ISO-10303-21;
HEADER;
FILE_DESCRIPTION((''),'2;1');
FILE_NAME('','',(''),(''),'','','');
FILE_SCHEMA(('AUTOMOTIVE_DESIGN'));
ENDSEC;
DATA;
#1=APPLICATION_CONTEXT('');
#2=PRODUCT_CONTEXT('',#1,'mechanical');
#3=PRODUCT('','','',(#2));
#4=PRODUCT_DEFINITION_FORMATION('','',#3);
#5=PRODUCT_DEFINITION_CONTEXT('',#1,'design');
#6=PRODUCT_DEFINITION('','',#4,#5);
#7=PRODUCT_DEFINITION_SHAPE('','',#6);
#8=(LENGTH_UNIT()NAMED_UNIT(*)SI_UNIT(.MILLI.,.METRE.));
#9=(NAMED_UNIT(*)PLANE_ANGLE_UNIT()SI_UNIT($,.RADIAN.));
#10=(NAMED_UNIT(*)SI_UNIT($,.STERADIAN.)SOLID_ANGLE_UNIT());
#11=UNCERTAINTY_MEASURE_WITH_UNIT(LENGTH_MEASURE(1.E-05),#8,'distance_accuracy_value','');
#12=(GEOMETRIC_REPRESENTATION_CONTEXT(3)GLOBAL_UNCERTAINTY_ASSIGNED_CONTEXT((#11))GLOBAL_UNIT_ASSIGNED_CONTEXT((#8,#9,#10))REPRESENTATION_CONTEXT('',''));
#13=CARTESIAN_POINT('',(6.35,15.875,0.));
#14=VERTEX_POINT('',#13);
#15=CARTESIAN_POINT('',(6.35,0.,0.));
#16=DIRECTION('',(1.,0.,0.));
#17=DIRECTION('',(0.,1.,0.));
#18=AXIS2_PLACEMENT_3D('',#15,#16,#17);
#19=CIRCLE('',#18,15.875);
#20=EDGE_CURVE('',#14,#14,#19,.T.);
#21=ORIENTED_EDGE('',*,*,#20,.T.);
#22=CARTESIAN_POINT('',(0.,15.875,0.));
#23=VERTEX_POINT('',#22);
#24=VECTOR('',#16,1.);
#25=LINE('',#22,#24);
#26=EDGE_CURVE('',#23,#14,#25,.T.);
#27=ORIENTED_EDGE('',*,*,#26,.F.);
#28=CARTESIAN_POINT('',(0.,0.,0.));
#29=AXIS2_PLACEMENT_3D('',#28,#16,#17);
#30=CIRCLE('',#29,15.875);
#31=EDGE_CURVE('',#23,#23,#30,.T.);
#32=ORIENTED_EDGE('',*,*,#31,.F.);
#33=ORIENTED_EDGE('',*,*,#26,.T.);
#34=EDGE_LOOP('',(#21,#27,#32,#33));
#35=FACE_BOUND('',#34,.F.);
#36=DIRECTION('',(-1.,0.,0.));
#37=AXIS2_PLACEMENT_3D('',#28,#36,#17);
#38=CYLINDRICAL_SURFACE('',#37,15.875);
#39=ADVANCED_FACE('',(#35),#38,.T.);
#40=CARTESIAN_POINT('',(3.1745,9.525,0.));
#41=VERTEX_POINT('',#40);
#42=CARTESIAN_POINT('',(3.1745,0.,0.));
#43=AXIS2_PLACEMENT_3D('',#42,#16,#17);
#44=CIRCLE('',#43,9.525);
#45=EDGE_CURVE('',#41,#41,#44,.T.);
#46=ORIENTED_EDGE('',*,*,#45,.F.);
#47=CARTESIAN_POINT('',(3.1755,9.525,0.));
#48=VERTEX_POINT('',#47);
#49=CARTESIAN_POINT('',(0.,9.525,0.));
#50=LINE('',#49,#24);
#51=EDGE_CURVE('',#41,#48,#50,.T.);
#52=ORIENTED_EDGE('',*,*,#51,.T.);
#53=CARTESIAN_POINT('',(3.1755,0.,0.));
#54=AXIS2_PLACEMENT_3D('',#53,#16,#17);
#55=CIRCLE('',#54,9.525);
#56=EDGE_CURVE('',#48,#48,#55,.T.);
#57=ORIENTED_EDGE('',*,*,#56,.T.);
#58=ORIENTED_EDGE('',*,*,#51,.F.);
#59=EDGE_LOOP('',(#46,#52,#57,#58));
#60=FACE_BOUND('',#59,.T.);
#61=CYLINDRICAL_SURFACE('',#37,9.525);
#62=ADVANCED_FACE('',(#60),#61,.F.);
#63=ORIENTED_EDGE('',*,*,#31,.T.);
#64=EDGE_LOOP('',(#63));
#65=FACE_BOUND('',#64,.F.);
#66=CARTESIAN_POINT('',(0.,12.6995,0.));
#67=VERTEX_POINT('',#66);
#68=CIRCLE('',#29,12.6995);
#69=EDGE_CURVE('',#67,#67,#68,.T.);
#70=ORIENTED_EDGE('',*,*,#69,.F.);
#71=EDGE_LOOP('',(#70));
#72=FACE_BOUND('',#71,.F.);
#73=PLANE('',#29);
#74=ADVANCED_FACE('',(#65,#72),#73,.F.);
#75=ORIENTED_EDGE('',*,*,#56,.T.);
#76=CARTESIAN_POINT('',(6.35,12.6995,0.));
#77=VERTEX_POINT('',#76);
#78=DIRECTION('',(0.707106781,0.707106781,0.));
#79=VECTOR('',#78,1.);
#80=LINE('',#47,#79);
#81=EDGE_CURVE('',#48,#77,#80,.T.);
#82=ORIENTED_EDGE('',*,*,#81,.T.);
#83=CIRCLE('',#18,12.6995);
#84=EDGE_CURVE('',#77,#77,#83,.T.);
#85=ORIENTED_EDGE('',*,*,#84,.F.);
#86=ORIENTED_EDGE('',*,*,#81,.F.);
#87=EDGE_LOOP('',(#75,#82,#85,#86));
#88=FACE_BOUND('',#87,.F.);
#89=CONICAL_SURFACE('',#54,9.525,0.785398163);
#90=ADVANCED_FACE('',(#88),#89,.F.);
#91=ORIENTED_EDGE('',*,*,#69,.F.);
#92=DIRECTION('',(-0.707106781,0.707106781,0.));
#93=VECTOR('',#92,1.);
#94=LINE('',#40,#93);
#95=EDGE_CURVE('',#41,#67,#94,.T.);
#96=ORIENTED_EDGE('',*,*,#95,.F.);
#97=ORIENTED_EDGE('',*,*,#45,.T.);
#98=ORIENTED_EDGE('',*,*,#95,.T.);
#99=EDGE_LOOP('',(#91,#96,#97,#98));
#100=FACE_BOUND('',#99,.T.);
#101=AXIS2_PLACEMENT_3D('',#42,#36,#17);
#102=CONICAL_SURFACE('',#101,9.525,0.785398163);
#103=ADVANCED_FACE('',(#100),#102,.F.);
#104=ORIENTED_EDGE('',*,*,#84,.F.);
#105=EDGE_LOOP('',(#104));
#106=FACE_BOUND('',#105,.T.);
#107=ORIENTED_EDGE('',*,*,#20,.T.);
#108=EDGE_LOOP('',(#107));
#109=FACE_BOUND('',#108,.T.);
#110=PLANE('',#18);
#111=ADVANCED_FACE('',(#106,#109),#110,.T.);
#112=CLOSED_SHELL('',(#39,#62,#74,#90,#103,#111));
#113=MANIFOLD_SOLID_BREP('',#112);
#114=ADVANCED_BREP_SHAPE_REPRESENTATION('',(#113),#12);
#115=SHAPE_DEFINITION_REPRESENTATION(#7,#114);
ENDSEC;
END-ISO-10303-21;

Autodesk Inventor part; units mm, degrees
ref_plane "YZ Plane" through (0, 0, 0) normal (1, 0, 0) x (0, 1, 0)
ref_plane "XZ Plane" through (0, 0, 0) normal (0, 1, 0) x (-1, 0, 0)
ref_plane "XY Plane" through (0, 0, 0) normal (0, 0, 1) x (1, 0, 0)
sketch "Sketch1" plane through (0, 0, 0) normal (1, 0, 0) x (0, 1, 0)
  circle A0 centre (0, 0) radius 15.875
  circle A1 centre (0, 0) radius 9.525
  dimension "d0" = 31.75
  dimension "d3" = 19.05
extrude "Extrusion1" add sketch "Sketch1" along normal blind 6.35
chamfer "Chamfer1" distance 3.175 angle 45 2 edges at (6.35, -9.525, 0) (0, -9.525, 0)
properties part number "Idler - Tire" material "Rubber, Silicone"
